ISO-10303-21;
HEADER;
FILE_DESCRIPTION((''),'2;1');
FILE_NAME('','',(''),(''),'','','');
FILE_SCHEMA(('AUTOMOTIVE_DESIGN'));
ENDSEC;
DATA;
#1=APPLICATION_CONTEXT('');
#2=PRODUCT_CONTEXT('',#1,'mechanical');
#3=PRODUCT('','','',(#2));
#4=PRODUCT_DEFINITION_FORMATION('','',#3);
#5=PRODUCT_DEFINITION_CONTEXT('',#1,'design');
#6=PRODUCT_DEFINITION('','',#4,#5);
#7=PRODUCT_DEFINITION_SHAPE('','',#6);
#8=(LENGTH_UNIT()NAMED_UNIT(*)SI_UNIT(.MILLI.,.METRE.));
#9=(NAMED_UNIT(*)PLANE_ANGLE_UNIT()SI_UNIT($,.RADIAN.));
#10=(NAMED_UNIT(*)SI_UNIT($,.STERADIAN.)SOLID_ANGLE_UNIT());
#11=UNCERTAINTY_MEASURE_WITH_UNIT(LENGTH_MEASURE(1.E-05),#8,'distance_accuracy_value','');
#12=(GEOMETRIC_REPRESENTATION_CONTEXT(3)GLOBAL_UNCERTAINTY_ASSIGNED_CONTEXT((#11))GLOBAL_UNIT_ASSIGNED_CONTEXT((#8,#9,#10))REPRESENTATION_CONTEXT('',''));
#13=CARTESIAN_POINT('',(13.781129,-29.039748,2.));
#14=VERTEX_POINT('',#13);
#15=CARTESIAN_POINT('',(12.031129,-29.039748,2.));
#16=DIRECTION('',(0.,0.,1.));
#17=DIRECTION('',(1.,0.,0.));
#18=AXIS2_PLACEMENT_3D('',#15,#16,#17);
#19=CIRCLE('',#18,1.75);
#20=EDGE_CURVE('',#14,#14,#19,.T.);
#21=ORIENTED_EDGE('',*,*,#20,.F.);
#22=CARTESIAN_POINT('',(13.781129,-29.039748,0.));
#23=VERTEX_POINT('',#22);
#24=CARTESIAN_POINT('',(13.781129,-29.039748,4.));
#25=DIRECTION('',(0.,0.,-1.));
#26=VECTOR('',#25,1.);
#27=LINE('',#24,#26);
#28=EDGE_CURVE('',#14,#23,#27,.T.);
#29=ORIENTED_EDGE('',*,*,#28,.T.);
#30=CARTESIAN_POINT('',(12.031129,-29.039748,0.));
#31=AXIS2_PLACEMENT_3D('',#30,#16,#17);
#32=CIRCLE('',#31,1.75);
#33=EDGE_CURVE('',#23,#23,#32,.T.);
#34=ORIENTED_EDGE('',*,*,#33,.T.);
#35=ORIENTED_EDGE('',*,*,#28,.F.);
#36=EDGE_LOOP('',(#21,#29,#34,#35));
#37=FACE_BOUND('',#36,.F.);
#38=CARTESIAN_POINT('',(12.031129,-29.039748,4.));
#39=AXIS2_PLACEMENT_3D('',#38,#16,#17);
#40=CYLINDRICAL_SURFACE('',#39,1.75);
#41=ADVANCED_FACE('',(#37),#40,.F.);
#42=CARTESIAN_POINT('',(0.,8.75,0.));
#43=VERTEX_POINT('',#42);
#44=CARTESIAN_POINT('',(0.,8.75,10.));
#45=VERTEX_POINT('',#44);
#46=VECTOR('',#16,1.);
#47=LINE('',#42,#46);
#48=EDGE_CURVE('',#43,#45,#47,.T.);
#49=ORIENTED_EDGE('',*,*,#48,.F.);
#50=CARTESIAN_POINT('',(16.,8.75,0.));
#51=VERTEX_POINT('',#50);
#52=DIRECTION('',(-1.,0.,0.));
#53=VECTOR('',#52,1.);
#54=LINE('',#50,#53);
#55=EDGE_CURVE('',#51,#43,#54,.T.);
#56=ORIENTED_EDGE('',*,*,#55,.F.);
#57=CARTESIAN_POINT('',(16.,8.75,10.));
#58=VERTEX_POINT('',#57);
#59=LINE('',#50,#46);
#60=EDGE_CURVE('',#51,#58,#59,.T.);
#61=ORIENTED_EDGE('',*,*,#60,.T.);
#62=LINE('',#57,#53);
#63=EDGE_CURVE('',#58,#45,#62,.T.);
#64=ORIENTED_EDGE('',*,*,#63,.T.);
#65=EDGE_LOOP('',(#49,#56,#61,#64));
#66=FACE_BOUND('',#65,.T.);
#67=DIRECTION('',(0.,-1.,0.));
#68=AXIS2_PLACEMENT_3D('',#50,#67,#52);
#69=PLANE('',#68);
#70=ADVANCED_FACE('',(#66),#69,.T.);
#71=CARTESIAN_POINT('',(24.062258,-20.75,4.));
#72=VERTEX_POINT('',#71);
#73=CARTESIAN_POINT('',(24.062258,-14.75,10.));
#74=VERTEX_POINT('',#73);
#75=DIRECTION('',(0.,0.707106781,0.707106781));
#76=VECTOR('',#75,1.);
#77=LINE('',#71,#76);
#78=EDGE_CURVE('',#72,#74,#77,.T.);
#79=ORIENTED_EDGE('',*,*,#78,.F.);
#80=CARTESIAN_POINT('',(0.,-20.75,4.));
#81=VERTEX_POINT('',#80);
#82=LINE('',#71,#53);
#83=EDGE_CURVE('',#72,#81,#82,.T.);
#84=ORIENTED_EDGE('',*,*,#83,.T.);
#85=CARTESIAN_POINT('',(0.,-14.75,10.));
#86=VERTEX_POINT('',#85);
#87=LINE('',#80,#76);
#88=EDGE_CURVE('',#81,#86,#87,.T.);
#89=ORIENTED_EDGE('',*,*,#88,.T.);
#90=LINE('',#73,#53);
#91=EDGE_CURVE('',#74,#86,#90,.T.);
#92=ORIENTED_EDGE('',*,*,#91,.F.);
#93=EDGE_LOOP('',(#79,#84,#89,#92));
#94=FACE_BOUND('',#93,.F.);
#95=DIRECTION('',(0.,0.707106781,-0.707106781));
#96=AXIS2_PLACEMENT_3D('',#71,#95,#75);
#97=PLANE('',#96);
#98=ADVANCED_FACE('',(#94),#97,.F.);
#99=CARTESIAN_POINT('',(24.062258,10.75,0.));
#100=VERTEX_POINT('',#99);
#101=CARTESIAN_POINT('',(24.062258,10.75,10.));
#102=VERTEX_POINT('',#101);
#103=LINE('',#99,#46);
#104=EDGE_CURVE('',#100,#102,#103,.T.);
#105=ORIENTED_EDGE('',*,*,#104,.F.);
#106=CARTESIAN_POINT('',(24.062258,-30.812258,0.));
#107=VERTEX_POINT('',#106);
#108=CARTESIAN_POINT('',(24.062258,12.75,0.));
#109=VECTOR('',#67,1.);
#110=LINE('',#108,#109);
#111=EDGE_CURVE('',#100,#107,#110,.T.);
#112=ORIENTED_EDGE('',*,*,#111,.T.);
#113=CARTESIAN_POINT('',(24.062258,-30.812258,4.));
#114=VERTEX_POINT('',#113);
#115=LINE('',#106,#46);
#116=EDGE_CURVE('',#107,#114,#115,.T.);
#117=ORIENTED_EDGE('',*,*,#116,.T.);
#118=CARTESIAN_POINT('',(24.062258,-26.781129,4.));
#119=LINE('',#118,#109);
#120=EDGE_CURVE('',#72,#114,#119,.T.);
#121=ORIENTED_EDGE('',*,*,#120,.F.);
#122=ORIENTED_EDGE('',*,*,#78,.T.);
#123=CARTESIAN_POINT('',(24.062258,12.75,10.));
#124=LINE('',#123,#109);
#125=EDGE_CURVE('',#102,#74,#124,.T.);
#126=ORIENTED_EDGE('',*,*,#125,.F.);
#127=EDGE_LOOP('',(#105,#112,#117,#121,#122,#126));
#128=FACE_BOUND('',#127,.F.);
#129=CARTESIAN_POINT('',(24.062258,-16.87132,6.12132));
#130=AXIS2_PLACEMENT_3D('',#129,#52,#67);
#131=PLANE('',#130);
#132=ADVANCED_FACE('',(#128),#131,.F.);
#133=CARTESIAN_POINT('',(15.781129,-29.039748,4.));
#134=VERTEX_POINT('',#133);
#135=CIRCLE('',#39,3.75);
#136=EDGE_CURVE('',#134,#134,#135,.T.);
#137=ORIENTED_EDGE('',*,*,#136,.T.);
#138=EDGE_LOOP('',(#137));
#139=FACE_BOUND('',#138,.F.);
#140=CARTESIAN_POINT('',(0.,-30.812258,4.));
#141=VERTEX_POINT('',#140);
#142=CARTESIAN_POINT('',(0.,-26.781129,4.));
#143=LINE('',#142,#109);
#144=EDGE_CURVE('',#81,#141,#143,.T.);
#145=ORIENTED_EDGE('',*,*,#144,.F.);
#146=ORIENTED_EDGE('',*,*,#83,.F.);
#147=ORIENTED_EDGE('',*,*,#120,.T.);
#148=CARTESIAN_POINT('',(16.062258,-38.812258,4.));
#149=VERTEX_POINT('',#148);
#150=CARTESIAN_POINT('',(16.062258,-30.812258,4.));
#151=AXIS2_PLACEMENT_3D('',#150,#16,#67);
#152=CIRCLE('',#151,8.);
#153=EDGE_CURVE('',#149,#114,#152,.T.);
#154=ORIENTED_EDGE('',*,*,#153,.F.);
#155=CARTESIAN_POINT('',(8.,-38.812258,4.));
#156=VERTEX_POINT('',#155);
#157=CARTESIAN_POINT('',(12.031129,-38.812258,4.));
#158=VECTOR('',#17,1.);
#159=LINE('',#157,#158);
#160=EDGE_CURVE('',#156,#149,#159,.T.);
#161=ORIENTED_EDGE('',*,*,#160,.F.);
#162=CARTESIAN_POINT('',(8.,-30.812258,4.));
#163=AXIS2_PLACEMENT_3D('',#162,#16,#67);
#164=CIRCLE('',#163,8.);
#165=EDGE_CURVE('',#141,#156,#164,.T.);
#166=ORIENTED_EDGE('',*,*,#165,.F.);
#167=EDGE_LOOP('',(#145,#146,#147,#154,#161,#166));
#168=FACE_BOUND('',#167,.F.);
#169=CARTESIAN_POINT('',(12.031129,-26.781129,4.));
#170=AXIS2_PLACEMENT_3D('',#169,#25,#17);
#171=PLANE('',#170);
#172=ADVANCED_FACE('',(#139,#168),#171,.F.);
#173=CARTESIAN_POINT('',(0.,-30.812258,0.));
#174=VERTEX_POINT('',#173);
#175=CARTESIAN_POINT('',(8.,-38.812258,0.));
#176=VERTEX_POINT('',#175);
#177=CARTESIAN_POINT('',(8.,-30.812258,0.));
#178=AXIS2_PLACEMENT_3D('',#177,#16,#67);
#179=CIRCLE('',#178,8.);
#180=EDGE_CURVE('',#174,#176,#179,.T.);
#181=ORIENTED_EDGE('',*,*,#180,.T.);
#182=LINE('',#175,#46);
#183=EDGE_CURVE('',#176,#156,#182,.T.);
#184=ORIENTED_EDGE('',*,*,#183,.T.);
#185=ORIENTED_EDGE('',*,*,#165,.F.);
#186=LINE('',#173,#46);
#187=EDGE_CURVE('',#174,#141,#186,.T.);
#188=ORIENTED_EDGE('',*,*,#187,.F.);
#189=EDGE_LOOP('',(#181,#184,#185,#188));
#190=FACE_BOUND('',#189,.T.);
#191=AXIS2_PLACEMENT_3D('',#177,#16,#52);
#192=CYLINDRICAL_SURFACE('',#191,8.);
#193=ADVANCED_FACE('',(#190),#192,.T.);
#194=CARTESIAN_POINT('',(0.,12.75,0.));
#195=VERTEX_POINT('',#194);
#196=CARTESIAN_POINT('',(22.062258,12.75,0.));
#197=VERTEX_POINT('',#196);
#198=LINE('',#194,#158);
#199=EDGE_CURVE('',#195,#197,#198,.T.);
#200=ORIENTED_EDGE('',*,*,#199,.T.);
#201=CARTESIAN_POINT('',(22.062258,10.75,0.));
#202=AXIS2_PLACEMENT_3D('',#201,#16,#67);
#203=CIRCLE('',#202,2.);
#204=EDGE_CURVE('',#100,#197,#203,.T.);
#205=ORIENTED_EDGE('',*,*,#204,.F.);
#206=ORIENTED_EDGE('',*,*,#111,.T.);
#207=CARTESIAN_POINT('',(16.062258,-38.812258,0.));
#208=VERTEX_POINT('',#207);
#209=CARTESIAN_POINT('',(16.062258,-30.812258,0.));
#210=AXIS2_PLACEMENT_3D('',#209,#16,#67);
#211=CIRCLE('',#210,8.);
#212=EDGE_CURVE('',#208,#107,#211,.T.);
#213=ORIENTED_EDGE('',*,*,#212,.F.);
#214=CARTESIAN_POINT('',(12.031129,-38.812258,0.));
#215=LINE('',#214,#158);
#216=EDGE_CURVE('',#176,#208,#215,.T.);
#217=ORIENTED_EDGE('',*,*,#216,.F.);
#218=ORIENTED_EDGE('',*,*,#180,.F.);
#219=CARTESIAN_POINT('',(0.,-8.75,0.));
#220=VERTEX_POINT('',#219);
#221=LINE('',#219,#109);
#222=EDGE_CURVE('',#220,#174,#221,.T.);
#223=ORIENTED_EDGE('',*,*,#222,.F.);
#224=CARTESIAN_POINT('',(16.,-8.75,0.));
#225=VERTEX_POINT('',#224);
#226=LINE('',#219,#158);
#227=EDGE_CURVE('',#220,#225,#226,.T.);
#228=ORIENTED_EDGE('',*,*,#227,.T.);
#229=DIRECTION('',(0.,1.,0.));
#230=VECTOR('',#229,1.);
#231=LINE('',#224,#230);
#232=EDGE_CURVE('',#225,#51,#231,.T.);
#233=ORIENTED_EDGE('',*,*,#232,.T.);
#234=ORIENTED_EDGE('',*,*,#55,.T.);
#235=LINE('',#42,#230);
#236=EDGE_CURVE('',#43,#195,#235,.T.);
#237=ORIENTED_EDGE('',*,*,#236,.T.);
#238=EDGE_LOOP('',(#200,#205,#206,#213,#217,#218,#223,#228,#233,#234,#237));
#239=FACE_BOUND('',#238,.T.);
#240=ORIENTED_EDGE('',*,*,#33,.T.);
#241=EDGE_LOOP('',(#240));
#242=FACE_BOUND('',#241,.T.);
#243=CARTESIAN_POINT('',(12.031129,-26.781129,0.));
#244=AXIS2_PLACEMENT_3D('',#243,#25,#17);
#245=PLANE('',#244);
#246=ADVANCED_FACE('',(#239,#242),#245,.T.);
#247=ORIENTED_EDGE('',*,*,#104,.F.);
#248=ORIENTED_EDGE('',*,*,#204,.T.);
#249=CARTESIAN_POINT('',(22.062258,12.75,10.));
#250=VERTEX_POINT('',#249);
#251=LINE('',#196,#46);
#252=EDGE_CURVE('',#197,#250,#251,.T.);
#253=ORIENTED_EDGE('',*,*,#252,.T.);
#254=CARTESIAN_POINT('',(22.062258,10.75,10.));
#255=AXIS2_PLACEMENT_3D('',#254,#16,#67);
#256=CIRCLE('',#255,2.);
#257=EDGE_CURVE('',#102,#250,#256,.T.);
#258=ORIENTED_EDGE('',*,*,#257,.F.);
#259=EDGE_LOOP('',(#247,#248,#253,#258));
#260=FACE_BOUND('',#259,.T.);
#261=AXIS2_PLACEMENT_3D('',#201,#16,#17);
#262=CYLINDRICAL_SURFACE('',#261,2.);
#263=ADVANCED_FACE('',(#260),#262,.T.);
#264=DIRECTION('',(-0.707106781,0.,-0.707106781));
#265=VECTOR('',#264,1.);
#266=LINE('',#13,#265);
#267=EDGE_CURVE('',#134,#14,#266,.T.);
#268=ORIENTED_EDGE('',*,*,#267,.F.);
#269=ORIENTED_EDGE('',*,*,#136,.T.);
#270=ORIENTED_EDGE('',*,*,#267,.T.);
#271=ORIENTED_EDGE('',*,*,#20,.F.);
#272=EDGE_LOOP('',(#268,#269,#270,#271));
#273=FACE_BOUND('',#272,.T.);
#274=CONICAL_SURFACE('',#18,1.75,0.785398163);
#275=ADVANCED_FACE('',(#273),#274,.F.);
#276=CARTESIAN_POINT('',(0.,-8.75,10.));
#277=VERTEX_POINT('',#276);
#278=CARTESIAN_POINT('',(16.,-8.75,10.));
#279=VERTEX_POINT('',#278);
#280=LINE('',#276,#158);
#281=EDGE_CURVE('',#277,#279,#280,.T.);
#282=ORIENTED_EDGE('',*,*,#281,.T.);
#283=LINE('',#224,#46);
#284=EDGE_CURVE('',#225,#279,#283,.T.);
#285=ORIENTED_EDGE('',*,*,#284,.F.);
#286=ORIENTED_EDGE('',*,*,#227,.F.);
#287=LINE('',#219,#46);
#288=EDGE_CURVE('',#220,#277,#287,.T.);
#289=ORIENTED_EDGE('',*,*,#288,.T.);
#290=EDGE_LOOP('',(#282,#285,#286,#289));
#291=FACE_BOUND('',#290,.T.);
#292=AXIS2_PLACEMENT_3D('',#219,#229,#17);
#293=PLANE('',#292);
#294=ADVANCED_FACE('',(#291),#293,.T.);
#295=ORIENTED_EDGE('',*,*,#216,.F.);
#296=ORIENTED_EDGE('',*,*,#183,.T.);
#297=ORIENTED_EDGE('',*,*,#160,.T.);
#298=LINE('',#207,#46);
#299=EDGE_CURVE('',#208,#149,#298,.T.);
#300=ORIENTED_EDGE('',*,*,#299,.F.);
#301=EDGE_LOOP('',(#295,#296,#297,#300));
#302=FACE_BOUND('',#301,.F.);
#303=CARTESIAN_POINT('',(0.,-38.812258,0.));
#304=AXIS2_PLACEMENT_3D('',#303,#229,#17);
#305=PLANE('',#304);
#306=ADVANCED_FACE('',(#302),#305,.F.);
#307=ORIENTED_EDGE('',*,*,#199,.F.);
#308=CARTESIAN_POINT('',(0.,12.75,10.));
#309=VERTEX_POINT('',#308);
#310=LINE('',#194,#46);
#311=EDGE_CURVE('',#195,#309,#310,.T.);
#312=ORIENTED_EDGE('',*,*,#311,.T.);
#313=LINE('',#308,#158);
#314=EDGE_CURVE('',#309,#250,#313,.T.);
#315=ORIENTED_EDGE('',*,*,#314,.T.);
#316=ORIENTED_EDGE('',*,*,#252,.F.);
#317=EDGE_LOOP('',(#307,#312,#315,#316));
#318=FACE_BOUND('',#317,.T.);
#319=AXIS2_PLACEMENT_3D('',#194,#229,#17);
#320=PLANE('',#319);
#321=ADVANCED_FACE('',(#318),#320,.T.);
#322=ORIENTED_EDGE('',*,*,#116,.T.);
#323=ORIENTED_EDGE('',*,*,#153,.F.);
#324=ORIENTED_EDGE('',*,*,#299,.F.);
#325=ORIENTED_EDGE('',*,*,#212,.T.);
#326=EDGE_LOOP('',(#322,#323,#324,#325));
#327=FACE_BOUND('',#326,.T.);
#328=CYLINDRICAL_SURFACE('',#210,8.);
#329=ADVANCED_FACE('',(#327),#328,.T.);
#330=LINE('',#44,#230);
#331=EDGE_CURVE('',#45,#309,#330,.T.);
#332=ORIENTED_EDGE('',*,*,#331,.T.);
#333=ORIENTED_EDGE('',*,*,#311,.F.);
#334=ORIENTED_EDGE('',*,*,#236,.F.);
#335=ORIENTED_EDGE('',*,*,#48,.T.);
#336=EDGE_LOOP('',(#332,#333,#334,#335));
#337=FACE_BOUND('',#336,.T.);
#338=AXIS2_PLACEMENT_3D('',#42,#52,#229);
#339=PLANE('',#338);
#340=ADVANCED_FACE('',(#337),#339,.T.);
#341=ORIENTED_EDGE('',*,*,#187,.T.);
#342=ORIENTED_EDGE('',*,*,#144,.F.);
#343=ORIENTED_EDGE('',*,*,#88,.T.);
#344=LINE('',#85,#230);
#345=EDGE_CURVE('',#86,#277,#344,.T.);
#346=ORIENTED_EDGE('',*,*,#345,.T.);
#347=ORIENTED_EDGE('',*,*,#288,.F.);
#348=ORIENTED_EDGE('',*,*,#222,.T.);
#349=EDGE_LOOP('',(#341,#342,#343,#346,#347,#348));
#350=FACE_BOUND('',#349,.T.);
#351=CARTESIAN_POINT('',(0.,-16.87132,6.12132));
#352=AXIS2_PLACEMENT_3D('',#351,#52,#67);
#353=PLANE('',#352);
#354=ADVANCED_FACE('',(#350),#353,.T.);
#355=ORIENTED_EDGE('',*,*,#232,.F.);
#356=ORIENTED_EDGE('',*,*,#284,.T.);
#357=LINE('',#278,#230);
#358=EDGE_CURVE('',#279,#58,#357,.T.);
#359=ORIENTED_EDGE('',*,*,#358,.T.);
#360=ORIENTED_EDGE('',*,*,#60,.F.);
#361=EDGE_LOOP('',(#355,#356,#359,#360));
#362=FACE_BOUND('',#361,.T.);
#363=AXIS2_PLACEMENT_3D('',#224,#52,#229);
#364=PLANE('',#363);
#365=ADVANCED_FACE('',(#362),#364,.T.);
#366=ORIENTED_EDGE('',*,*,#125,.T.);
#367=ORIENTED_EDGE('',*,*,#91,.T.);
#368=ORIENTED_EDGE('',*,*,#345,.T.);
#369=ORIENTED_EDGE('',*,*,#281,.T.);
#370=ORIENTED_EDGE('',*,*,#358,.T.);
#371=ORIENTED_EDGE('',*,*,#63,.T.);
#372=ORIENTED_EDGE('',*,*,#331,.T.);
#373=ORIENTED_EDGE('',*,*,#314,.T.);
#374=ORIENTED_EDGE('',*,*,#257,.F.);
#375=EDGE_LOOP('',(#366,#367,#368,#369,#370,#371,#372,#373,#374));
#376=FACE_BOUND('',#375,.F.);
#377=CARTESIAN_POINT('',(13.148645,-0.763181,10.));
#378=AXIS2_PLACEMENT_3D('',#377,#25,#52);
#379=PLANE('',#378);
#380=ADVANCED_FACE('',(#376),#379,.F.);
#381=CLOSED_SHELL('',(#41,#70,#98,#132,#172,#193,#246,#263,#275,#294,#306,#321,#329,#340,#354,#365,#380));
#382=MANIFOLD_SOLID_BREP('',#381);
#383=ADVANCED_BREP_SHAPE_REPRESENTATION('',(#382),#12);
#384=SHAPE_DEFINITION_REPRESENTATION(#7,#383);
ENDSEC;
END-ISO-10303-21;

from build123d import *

# Parameters (mm, degrees)
PAD_DEPTH    = 10
SKETCH001_W  = 24.062258
SKETCH001_H  = 24.062258
PAD001_DEPTH = 4
SKETCH002_R  = 1.75
POCKET_DEPTH = 4.001
CHAMFER_SIZE = 2
FILLET_R     = 8
FILLET001_R  = 2
PAD002_DEPTH = 24.062258


with BuildPart() as part:
    # Sketch → Pad (new body)
    with BuildSketch(Plane.XY):
        Polygon((0, 8.75), (0, 12.75), (24.062258, 12.75), (24.062258, -14.75), (0, -14.75), (0, -8.75), (16, -8.75), (16, 8.75), align=None)
    extrude(amount=PAD_DEPTH)

    # Sketch001 (on Face9 of Pad) → Pad001 (join)
    with BuildSketch(Plane(origin=(0, 0, 0), x_dir=(1, 0, 0), z_dir=(0, 0, -1))):
        with Locations((12.031129, 26.781129)):
            Rectangle(SKETCH001_W, SKETCH001_H)
    extrude(amount=-PAD001_DEPTH)

    # Sketch002 (on Face15 of Pad001) → Pocket (cut, through all)
    with BuildSketch(Plane.XY.offset(4)):
        with Locations((12.031129, -29.039748)):
            Circle(SKETCH002_R)
    extrude(amount=-POCKET_DEPTH, mode=Mode.SUBTRACT)

    # Chamfer
    chamfer_edges = [part.edges().sort_by_distance(p)[0] for p in [
        (10.281129, -29.039748, 4),
    ]]
    chamfer(chamfer_edges, length=CHAMFER_SIZE)

    # Fillet
    fillet_edges = [part.edges().sort_by_distance(p)[0] for p in [
        (0, -38.812258, 2),
        (24.062258, -38.812258, 2),
    ]]
    fillet(fillet_edges, radius=FILLET_R)

    # Fillet001
    fillet001_edges = [part.edges().sort_by_distance(p)[0] for p in [
        (24.062258, 12.75, 5),
    ]]
    fillet(fillet001_edges, radius=FILLET001_R)

    # Sketch003 (on Face12 of Fillet001) → Pad002 (join)
    with BuildSketch(Plane.YZ.offset(24.062258)):
        Polygon((-20.75, 4), (-14.75, 10), (-14.75, 4), align=None)
    extrude(amount=-PAD002_DEPTH)


solid = part.part
